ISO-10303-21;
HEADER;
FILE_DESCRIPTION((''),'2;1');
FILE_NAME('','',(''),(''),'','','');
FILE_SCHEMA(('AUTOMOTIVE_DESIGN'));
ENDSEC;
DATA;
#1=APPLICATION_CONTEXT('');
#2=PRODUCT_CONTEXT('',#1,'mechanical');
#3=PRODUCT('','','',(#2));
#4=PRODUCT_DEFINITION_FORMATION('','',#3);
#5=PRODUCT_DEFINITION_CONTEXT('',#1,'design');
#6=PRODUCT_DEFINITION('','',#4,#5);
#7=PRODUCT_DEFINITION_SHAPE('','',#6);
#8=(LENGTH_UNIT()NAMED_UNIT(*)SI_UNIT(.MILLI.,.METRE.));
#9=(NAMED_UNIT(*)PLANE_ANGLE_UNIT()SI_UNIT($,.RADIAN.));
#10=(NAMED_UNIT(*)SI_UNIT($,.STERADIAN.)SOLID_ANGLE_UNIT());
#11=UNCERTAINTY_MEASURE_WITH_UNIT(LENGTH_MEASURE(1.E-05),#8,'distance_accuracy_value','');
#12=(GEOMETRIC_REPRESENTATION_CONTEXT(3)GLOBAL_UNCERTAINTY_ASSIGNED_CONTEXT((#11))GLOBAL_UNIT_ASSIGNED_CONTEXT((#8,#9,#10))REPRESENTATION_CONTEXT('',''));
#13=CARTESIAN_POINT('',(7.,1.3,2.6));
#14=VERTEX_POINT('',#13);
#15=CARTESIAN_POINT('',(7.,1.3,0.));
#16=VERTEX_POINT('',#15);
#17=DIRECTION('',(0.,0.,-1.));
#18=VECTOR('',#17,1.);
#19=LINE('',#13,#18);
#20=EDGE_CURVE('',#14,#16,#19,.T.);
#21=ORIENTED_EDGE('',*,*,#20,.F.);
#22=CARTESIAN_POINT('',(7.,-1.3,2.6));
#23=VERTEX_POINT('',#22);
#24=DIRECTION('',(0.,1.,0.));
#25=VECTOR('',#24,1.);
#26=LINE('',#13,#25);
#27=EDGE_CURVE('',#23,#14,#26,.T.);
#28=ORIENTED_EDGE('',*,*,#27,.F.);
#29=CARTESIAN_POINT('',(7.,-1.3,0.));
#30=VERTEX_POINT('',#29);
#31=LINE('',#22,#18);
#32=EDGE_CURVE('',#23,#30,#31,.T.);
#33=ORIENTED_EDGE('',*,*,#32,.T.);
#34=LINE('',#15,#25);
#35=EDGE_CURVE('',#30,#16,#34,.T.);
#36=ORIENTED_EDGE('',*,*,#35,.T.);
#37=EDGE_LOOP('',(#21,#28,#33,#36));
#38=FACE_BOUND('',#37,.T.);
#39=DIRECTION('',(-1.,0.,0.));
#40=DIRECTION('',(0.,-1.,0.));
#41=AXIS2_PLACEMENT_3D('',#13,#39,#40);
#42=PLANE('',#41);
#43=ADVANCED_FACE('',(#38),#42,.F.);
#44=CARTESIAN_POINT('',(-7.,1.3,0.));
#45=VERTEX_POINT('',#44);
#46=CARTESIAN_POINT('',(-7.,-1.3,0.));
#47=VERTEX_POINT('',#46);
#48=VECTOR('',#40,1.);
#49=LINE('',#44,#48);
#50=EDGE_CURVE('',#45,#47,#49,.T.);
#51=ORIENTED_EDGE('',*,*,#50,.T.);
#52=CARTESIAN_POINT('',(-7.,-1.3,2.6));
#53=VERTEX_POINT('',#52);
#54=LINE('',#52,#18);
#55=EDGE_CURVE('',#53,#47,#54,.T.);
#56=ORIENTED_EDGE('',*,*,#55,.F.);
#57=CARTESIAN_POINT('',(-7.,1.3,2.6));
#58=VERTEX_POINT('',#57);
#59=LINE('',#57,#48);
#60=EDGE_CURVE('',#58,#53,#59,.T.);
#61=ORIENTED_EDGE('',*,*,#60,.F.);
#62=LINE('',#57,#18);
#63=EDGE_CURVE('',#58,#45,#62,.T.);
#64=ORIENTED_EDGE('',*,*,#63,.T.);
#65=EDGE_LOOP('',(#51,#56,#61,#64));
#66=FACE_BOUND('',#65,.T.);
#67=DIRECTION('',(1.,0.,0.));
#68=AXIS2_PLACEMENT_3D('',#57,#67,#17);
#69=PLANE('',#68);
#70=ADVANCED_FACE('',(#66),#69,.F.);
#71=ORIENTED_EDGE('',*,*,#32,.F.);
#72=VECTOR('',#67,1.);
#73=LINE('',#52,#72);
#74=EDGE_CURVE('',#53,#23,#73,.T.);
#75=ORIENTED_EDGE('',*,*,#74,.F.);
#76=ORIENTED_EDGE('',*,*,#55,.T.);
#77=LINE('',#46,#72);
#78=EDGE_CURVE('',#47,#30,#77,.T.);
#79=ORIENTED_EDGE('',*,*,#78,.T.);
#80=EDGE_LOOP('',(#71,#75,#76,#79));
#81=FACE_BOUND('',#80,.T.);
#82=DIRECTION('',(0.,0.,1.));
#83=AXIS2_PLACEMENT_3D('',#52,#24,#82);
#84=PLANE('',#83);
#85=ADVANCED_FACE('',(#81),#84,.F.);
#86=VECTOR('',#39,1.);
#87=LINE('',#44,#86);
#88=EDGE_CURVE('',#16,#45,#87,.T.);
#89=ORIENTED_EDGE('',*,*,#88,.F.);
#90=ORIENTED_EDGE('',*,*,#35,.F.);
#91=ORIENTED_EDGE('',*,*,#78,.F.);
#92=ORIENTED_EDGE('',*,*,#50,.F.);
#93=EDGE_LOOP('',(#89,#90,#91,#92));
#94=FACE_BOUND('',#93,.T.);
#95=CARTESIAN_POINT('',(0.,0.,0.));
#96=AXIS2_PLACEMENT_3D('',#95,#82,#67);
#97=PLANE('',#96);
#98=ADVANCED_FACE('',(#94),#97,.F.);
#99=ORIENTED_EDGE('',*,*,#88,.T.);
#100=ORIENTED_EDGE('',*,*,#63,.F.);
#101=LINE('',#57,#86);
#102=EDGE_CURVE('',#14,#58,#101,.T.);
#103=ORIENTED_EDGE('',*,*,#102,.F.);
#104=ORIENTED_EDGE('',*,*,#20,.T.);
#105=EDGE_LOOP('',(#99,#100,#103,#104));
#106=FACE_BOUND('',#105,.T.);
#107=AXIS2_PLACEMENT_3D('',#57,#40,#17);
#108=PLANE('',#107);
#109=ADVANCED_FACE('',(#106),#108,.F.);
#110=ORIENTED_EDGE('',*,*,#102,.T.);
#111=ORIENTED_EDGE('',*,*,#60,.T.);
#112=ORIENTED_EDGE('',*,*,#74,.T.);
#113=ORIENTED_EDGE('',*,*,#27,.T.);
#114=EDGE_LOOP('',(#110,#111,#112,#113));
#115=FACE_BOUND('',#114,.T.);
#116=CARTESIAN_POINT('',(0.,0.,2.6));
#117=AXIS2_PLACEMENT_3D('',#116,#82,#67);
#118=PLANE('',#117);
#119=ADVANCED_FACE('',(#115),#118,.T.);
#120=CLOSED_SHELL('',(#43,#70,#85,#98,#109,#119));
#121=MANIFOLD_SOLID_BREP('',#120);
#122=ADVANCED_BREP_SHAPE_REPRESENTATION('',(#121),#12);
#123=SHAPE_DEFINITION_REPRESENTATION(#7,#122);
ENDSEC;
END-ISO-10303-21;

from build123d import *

# Parameters (mm, degrees)
SKETCH1_W           = 14
SKETCH1_H           = 2.6
BOSS_EXTRUDE1_DEPTH = 2.6


with BuildPart() as part:
    # Sketch1 → Boss-Extrude1 (new body)
    with BuildSketch(Plane.XY):
        Rectangle(SKETCH1_W, SKETCH1_H)
    extrude(amount=BOSS_EXTRUDE1_DEPTH)


solid = part.part
